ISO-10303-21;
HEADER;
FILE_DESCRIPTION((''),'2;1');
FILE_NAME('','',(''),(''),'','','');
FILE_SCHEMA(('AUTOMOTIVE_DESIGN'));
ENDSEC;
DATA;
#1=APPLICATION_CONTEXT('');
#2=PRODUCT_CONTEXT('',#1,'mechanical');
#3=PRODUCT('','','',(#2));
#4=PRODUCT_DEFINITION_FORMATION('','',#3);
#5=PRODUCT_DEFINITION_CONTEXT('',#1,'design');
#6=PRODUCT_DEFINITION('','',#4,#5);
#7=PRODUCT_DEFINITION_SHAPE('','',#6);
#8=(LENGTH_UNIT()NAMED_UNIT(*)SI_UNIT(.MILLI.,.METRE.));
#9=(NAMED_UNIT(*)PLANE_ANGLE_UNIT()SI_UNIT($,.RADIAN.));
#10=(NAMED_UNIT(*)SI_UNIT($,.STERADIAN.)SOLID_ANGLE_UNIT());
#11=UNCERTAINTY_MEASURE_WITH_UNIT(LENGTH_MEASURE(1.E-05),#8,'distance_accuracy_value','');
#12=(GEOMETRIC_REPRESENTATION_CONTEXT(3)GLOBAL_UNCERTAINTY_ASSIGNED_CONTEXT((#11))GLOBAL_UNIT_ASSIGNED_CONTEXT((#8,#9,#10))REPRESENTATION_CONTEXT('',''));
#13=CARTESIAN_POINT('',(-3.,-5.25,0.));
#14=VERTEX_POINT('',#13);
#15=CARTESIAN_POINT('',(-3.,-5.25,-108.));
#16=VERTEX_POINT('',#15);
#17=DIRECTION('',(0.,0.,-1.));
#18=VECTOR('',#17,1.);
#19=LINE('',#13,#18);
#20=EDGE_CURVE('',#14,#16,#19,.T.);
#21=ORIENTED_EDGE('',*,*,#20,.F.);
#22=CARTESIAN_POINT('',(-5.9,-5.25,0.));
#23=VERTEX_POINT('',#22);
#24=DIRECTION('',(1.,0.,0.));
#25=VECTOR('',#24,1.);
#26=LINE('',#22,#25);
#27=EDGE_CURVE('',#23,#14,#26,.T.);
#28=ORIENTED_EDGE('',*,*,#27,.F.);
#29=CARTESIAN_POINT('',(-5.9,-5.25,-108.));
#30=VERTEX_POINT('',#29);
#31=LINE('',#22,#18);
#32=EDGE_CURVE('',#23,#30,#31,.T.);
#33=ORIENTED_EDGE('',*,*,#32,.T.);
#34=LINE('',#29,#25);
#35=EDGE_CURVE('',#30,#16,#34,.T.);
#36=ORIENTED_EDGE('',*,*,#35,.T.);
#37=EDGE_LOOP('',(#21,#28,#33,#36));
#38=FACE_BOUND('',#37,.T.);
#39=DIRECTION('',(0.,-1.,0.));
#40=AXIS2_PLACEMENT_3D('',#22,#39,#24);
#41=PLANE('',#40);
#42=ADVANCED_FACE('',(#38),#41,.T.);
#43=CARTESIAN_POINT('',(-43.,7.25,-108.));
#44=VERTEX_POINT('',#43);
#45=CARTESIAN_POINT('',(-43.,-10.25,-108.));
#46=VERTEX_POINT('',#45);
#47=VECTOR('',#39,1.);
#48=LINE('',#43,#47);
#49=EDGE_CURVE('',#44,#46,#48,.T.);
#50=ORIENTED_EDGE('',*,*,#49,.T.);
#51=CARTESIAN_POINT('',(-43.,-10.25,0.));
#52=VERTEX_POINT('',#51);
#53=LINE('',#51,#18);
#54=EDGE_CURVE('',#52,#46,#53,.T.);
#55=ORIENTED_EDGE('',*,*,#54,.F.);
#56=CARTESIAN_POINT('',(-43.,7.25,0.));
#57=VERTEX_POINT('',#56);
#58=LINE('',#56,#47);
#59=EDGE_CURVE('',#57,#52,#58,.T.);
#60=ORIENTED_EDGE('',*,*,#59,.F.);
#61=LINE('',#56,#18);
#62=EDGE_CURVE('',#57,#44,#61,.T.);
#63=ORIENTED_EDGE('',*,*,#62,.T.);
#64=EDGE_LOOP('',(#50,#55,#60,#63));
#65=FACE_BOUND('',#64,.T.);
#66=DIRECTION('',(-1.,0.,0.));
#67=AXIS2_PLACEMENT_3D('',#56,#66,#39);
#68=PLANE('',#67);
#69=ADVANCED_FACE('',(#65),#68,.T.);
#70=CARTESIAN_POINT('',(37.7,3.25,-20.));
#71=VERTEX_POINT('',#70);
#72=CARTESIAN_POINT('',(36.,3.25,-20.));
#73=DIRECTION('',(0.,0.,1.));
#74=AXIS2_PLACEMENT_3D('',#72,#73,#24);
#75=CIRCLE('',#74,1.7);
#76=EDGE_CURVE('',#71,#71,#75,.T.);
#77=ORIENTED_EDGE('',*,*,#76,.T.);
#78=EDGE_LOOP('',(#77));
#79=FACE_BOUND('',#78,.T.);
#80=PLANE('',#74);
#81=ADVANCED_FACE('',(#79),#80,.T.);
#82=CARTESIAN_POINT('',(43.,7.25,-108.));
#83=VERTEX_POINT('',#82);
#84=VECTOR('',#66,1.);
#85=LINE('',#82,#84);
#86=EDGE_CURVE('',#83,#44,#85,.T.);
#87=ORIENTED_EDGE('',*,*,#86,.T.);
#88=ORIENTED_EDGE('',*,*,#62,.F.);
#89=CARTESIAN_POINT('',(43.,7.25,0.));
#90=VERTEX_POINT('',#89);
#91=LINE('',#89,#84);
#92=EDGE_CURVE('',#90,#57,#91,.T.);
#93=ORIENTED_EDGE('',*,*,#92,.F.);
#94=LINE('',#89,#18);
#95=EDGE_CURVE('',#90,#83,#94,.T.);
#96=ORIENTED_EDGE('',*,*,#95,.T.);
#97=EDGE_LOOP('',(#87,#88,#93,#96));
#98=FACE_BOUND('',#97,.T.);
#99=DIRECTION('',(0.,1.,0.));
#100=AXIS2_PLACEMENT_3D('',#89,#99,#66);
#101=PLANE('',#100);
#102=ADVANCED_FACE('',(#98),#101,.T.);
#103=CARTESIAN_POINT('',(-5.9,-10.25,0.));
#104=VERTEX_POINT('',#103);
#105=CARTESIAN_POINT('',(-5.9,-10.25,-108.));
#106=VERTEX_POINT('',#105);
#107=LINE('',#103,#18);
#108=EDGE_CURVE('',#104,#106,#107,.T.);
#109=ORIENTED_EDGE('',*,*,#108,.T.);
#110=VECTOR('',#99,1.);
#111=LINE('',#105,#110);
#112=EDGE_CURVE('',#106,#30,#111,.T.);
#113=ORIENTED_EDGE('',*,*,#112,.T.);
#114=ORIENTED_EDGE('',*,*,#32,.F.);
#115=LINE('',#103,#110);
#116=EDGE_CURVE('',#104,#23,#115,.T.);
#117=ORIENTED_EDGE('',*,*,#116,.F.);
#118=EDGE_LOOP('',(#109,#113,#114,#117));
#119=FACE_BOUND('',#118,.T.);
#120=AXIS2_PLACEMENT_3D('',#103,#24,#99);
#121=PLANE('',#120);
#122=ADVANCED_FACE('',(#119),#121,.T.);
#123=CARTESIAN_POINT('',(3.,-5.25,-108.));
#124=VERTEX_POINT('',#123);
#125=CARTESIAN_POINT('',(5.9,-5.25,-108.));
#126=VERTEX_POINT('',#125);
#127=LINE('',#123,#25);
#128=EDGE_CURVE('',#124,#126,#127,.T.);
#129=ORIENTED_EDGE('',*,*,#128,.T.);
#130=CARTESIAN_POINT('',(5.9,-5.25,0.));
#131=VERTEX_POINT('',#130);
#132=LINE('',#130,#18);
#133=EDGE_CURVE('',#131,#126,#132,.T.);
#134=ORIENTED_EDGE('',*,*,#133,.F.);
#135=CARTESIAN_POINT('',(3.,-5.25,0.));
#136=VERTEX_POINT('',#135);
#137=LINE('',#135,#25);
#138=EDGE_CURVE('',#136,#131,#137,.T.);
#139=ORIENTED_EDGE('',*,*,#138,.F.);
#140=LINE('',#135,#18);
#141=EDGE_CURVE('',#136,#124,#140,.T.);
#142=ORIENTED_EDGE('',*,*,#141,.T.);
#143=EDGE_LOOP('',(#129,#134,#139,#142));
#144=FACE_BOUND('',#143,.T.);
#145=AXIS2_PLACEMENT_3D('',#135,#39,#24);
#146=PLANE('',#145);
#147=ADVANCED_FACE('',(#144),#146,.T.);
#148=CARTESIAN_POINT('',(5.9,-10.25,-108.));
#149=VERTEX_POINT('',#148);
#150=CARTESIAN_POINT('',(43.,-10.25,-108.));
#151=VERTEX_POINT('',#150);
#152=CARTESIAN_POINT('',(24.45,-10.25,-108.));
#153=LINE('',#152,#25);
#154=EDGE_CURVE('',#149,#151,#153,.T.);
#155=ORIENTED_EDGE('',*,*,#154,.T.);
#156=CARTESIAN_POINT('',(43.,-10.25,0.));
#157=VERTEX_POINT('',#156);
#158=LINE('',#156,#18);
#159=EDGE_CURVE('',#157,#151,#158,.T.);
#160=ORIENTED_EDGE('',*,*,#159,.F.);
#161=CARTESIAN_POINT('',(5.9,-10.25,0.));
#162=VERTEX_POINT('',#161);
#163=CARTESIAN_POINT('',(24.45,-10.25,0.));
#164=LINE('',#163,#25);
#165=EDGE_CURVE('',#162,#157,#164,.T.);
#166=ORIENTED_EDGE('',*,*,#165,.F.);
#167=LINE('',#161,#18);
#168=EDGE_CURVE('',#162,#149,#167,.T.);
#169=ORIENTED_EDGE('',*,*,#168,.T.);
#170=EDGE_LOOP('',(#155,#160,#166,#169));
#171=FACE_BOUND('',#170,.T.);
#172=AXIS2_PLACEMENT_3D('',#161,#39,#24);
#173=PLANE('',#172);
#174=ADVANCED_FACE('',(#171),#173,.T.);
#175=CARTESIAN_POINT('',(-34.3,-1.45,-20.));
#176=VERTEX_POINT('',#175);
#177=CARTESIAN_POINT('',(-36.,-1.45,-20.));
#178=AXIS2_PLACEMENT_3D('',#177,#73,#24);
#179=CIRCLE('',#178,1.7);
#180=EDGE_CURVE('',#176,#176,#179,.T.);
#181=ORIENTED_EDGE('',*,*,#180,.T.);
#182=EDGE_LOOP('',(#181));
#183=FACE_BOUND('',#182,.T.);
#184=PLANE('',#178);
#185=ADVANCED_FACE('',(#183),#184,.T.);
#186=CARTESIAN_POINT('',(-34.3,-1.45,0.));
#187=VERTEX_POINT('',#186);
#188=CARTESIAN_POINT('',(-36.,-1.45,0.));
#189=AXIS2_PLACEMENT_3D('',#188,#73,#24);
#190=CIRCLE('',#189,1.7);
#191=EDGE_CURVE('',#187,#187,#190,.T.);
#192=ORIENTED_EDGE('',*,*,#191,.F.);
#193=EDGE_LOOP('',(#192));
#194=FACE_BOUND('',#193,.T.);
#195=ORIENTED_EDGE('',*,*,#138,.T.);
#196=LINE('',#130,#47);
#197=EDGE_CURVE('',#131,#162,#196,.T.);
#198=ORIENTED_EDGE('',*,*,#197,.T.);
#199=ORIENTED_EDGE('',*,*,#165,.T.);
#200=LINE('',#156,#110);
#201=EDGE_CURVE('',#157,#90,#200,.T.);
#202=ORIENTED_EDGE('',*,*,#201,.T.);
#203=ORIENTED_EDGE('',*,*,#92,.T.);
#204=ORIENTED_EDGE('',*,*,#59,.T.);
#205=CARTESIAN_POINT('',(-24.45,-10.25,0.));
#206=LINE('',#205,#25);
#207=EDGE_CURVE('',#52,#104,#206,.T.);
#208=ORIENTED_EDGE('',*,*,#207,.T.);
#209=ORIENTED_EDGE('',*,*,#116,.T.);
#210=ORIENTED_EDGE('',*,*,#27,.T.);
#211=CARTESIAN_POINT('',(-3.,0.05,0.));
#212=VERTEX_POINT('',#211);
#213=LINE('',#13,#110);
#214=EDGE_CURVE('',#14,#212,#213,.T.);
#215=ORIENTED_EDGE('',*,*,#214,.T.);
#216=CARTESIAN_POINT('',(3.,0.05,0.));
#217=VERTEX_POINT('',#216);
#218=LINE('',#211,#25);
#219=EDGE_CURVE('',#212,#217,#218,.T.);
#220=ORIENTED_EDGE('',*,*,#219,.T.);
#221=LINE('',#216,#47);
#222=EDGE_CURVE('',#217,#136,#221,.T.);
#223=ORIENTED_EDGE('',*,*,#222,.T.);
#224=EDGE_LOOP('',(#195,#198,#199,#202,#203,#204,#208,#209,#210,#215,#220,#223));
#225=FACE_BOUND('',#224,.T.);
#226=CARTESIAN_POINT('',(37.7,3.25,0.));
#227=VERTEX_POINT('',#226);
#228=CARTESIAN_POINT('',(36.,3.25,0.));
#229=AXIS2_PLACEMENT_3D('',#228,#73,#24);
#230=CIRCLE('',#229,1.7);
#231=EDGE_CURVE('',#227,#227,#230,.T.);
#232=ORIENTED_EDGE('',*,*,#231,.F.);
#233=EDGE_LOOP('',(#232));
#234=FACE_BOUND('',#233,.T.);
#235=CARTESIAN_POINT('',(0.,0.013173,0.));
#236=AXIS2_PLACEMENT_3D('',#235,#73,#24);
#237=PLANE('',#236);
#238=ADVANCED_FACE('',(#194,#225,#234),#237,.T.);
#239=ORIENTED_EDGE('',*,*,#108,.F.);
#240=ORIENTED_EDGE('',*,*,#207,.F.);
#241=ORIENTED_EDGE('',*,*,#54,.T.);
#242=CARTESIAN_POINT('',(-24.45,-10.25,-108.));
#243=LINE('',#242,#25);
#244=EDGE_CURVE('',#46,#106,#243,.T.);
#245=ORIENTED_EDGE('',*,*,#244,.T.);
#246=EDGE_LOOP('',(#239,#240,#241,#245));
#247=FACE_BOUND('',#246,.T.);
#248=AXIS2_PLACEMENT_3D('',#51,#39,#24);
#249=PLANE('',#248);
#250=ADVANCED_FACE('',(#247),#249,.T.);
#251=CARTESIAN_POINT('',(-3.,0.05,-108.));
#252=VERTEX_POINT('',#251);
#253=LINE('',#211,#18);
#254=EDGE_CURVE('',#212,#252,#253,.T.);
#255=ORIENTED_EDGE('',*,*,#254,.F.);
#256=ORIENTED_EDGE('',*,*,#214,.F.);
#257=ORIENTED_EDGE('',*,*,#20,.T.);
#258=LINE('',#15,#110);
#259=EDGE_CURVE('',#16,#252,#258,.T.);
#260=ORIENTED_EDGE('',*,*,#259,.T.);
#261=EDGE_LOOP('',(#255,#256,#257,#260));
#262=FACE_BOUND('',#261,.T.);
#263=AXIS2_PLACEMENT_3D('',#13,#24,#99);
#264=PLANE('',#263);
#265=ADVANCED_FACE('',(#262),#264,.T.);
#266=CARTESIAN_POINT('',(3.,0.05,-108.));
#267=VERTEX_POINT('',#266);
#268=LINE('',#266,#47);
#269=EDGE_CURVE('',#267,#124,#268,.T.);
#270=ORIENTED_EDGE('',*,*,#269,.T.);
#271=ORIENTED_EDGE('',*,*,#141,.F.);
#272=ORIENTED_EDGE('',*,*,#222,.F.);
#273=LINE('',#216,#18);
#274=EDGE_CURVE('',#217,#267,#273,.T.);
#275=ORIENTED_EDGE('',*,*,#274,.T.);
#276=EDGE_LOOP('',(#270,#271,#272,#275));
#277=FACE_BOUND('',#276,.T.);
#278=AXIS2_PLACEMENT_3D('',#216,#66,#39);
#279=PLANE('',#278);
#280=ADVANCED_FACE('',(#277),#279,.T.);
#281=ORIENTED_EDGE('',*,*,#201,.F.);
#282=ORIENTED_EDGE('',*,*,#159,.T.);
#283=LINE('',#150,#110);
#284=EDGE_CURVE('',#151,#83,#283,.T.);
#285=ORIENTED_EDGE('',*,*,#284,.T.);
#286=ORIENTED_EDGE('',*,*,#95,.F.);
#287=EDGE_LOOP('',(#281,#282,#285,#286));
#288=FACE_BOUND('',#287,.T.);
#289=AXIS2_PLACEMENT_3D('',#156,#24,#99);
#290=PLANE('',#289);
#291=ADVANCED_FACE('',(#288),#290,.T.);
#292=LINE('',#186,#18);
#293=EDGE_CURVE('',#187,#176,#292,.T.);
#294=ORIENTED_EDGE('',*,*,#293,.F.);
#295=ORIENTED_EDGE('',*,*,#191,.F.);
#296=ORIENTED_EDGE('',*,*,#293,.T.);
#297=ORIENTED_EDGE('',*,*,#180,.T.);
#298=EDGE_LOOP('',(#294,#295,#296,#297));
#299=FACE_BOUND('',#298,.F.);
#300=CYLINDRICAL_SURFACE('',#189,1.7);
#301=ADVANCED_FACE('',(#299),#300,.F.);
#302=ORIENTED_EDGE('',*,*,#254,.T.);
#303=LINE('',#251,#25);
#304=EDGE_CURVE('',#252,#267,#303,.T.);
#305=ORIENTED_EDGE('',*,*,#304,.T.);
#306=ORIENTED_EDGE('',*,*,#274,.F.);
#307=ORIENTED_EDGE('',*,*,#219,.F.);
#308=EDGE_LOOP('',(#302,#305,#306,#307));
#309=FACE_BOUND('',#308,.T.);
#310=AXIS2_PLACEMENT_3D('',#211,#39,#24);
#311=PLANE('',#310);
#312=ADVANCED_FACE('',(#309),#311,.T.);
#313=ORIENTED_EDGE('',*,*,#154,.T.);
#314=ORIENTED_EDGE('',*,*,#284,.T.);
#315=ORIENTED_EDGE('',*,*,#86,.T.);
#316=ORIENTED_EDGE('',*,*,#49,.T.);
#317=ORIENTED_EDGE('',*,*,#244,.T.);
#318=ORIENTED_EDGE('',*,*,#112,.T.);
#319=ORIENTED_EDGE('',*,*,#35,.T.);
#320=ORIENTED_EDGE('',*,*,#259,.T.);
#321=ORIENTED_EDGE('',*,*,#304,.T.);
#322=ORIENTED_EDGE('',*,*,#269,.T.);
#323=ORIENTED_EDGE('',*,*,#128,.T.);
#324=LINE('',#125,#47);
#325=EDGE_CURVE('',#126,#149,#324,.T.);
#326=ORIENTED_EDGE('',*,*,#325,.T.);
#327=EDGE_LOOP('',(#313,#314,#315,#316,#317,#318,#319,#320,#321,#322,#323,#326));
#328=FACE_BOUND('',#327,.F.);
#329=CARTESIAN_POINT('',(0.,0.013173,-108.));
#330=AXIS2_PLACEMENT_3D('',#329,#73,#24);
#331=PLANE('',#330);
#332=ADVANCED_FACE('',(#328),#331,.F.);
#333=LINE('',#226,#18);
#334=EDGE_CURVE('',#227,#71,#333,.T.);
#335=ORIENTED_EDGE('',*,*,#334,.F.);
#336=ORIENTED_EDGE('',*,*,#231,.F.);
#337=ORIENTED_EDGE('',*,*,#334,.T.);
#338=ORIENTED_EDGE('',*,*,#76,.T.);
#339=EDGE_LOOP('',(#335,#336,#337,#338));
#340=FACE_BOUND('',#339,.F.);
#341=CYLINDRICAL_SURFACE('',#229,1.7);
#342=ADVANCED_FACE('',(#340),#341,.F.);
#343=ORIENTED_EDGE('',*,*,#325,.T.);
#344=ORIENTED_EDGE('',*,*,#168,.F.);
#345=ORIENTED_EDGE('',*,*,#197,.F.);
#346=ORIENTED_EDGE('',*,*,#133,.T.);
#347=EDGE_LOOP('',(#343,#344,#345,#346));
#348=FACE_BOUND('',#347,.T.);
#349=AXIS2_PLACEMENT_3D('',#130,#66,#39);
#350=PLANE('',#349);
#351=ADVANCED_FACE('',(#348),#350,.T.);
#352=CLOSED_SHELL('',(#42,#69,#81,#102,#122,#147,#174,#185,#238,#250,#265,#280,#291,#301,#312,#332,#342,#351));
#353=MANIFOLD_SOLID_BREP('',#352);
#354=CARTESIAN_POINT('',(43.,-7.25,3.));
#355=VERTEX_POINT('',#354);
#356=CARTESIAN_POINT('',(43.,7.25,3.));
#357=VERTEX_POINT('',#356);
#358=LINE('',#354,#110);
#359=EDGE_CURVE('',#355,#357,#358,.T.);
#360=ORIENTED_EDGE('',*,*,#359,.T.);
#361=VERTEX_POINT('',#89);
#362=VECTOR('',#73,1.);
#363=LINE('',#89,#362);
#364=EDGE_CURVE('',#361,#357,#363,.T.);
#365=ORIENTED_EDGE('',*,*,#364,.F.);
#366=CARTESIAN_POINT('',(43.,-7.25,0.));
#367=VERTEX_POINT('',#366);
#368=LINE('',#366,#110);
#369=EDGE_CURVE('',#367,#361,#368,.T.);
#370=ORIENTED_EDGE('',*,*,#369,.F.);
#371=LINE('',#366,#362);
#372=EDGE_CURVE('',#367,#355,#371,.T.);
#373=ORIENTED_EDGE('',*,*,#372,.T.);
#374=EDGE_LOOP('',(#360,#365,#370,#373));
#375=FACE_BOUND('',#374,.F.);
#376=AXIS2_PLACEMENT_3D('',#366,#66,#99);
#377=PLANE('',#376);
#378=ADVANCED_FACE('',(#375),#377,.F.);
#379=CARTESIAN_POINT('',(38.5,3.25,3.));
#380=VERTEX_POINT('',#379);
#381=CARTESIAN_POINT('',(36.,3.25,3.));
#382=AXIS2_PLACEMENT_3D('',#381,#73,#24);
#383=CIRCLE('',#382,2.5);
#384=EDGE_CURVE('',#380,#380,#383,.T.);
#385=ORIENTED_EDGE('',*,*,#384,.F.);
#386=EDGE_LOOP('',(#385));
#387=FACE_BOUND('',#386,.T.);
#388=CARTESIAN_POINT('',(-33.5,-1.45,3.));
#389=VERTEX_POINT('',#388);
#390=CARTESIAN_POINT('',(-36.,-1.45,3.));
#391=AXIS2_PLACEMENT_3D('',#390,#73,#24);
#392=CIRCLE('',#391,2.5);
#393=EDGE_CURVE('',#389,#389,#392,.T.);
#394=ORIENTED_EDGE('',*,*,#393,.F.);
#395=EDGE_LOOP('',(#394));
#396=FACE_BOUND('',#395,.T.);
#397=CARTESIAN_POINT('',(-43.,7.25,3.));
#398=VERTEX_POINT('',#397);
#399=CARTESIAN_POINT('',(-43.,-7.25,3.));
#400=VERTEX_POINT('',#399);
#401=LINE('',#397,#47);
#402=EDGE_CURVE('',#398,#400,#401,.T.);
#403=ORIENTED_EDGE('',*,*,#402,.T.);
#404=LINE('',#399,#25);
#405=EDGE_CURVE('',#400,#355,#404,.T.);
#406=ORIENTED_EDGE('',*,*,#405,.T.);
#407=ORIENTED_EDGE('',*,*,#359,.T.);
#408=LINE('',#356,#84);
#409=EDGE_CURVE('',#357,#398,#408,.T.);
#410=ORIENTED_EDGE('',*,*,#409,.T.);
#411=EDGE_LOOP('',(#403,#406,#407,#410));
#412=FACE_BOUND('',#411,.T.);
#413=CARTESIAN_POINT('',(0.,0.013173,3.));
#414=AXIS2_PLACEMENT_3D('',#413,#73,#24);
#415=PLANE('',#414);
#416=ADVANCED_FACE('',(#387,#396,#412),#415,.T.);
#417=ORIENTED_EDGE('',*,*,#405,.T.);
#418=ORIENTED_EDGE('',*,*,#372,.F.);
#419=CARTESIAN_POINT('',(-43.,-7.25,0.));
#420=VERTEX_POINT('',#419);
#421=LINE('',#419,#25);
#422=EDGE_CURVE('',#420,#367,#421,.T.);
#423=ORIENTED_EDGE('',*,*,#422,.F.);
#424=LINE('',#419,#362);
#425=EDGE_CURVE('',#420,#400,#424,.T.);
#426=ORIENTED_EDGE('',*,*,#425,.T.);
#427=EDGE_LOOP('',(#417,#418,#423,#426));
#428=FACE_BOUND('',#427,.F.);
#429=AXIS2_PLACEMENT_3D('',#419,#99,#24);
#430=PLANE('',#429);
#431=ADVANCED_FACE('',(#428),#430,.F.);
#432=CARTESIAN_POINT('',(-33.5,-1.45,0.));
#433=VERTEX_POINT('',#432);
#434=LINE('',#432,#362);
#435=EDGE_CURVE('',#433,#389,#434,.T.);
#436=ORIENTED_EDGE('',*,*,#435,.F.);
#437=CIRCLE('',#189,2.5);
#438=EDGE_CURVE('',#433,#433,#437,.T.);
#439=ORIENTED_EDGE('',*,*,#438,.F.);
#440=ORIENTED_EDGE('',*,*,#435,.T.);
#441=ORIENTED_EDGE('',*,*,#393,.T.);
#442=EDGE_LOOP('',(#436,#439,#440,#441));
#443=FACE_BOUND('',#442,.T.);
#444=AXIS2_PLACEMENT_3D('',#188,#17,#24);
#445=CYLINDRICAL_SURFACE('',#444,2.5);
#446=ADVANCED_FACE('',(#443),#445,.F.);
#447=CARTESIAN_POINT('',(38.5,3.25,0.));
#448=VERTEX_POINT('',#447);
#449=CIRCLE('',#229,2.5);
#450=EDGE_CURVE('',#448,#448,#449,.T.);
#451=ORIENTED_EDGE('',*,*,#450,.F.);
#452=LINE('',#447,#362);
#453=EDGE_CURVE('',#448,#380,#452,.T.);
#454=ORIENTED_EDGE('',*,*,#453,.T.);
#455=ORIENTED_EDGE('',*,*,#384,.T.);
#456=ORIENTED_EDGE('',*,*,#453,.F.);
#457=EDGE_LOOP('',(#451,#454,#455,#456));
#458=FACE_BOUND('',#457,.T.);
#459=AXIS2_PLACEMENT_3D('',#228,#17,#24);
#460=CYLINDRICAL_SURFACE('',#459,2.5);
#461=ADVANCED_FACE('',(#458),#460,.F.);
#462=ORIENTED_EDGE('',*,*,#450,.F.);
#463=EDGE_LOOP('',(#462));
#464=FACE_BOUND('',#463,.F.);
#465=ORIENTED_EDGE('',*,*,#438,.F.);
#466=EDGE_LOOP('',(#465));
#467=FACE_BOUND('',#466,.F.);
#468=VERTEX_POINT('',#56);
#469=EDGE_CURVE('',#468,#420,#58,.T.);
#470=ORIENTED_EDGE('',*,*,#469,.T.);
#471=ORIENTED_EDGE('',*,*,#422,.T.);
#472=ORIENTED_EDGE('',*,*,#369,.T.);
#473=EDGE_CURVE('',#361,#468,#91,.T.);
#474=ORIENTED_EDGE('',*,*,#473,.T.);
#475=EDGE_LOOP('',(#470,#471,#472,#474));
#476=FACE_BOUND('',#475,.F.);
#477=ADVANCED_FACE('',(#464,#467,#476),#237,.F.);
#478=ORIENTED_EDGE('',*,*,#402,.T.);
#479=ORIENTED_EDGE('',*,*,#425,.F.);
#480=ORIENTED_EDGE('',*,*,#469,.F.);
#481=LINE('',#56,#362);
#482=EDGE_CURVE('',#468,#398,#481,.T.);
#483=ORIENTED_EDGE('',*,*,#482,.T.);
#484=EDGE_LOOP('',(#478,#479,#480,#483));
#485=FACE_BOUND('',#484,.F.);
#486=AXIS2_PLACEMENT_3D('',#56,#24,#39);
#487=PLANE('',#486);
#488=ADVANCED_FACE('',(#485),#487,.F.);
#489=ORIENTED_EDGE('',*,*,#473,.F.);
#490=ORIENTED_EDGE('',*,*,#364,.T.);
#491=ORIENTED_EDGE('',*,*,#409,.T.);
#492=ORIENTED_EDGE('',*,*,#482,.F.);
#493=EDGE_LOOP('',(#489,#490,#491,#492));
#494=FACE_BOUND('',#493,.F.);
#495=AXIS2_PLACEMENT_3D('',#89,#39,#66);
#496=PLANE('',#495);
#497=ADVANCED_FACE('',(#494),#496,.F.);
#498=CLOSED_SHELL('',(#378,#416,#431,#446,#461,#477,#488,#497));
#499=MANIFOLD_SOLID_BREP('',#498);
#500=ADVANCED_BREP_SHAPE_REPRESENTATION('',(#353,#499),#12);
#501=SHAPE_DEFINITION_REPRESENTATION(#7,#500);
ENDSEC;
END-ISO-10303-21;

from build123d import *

# Parameters (mm, degrees)
F0_R     = 2.5
F0_W     = 2.9
F0_H     = 2
F0_W_2   = 6
F0_H_2   = 5.3
F1_DEPTH = 3
F0_W_3   = 37.1
F0_H_3   = 3
F0_R_2   = 1.7
F2_DEPTH = 108
F3_DEPTH = 20


with BuildPart() as f1:
    # F0 (on Top) → F1 (new body)
    with BuildSketch(Plane.XY):
        Polygon((5.9, -7.25), (43, -7.25), (43, 7.25), (-43, 7.25), (-43, -7.25), (-5.9, -7.25), (-5.9, -5.25), (-3, -5.25), (-3, 0.05), (3, 0.05), (3, -5.25), (5.9, -5.25), align=None)
        with Locations((-36, -1.45)):
            Circle(F0_R, mode=Mode.SUBTRACT)
        with Locations((36, 3.25)):
            Circle(F0_R, mode=Mode.SUBTRACT)
        with Locations((-4.45, -6.25)):
            Rectangle(F0_W, F0_H)
        with Locations((0, -6.25)):
            Rectangle(F0_W_2, F0_H)
        with Locations((0, -2.6)):
            Rectangle(F0_W_2, F0_H_2)
        with Locations((4.45, -6.25)):
            Rectangle(F0_W, F0_H)
    extrude(amount=F1_DEPTH)


with BuildPart() as f2:
    # F0 (on Top) → F2 (new body)
    with BuildSketch(Plane.XY):
        Polygon((5.9, -7.25), (43, -7.25), (43, 7.25), (-43, 7.25), (-43, -7.25), (-5.9, -7.25), (-5.9, -5.25), (-3, -5.25), (-3, 0.05), (3, 0.05), (3, -5.25), (5.9, -5.25), align=None)
        with Locations((-36, -1.45)):
            Circle(F0_R, mode=Mode.SUBTRACT)
        with Locations((36, 3.25)):
            Circle(F0_R, mode=Mode.SUBTRACT)
        with Locations((-24.45, -8.75)):
            Rectangle(F0_W_3, F0_H_3)
        with Locations((24.45, -8.75)):
            Rectangle(F0_W_3, F0_H_3)
        with Locations((-36, -1.45)):
            Circle(F0_R)
        with Locations((-36, -1.45)):
            Circle(F0_R_2, mode=Mode.SUBTRACT)
        with Locations((36, 3.25)):
            Circle(F0_R)
        with Locations((36, 3.25)):
            Circle(F0_R_2, mode=Mode.SUBTRACT)
        with Locations((36, 3.25)):
            Circle(F0_R_2)
        with Locations((-36, -1.45)):
            Circle(F0_R_2)
    extrude(amount=-F2_DEPTH)

    # F0 (on Top) → F3 (cut)
    with BuildSketch(Plane.XY):
        with Locations((-36, -1.45)):
            Circle(F0_R_2)
        with Locations((36, 3.25)):
            Circle(F0_R_2)
    extrude(amount=-F3_DEPTH, mode=Mode.SUBTRACT)


solid = Compound([f1.part, f2.part])
